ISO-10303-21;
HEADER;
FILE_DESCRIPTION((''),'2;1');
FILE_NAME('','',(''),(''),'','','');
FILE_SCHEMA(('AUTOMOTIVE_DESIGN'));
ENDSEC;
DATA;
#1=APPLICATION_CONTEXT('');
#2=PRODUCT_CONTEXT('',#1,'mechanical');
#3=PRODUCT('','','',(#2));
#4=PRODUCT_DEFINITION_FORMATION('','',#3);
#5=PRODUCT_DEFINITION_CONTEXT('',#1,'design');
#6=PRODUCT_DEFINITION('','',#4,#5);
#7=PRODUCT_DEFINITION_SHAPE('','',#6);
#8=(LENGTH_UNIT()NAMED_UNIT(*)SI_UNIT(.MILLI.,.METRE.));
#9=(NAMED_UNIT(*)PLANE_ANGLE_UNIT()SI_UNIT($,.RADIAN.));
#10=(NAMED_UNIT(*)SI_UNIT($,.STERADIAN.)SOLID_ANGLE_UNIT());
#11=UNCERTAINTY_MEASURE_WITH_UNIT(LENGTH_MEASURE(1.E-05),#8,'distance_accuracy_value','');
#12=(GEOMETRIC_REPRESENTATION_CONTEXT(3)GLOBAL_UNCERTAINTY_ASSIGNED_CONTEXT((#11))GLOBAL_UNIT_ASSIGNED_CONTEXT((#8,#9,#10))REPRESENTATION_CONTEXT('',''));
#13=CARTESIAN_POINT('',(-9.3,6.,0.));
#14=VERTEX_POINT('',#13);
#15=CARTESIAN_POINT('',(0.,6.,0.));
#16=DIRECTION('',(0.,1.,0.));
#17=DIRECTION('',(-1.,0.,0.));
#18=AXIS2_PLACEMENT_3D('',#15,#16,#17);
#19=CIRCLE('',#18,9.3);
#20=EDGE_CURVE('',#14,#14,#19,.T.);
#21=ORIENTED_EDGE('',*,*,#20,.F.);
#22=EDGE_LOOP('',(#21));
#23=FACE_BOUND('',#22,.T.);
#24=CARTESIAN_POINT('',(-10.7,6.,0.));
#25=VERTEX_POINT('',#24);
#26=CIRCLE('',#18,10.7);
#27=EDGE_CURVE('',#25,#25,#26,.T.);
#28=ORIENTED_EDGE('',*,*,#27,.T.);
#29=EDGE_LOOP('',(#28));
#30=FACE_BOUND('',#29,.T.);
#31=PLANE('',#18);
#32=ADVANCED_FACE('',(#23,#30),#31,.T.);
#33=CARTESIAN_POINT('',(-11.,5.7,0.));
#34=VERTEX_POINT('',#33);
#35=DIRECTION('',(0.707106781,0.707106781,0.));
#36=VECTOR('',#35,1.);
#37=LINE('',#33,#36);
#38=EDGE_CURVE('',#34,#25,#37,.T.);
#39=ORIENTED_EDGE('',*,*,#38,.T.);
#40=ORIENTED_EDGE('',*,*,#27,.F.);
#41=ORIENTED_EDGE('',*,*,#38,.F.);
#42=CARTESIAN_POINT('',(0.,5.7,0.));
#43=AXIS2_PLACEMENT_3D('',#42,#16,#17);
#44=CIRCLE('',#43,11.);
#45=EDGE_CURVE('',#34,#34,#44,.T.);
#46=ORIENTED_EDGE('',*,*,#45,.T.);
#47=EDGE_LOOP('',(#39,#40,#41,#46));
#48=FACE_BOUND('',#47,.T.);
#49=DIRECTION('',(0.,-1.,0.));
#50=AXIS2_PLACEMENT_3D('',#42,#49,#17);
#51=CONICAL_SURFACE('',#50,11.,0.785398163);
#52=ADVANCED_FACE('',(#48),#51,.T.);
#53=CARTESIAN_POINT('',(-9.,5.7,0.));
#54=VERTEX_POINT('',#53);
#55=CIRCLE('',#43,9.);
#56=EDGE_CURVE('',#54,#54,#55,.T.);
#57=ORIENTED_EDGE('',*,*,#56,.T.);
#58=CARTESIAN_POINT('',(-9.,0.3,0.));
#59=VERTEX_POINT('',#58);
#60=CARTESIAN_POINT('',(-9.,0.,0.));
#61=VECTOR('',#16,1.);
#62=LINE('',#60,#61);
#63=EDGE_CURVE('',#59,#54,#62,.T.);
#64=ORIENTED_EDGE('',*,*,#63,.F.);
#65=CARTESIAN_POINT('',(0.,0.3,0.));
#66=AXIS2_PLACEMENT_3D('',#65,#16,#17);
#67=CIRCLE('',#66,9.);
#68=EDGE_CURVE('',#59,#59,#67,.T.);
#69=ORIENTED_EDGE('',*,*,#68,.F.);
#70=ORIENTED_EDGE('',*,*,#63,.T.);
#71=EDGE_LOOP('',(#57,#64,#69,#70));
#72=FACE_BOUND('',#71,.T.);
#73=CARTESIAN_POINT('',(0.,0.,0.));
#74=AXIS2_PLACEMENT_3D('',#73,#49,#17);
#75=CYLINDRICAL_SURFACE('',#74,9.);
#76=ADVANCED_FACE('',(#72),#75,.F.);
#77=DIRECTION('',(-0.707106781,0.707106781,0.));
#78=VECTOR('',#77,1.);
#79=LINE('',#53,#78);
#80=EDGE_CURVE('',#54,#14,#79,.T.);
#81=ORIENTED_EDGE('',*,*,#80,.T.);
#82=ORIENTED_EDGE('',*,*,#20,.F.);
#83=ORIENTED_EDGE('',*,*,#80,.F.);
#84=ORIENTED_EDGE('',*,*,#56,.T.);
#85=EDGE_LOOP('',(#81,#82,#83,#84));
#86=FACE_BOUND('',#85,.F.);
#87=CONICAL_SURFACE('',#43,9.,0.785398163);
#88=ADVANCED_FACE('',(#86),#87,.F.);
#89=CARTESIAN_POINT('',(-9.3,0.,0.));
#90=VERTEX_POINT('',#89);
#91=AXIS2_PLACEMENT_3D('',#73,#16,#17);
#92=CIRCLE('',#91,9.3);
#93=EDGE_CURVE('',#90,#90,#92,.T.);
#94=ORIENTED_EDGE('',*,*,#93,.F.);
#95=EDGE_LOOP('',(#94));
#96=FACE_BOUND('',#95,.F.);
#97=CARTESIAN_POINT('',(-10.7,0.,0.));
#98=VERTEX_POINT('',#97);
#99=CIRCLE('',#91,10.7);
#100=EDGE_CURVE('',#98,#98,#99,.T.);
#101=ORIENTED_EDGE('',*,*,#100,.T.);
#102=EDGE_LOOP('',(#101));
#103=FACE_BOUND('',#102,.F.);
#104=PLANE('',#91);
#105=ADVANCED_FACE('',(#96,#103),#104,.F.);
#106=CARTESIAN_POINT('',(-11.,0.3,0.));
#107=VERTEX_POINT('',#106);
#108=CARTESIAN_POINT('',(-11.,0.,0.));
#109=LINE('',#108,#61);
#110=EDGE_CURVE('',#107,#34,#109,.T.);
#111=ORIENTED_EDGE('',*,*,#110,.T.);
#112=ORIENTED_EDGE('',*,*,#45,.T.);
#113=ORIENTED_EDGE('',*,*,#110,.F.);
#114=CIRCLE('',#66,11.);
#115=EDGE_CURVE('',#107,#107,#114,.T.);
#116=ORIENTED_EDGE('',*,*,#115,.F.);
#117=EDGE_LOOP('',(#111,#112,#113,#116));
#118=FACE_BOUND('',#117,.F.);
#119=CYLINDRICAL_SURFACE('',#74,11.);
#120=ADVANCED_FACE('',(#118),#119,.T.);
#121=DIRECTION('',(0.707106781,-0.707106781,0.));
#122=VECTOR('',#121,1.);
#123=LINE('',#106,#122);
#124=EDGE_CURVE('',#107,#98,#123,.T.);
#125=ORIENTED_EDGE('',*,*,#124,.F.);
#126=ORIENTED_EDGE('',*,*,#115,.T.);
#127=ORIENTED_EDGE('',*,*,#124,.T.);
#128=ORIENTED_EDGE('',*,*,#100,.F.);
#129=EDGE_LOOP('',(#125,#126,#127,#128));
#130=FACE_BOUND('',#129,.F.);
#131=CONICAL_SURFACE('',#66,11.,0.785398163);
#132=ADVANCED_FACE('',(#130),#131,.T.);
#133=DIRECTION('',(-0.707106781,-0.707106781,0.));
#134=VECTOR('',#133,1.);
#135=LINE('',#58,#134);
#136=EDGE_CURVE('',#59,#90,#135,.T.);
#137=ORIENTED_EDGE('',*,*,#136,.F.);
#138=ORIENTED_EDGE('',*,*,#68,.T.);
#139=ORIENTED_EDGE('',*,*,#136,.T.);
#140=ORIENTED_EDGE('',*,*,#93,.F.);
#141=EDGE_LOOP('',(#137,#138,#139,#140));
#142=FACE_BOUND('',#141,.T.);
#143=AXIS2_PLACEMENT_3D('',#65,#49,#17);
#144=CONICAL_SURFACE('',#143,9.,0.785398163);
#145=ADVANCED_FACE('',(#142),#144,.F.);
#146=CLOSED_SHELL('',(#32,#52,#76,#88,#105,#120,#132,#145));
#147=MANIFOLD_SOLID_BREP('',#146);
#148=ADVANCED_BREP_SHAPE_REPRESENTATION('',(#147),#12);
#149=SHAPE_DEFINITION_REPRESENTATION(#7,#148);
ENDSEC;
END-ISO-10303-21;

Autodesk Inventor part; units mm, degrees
ref_plane "YZ Plane" through (0, 0, 0) normal (1, 0, 0) x (0, 1, 0)
ref_plane "XZ Plane" through (0, 0, 0) normal (0, 1, 0) x (-1, 0, 0)
ref_plane "XY Plane" through (0, 0, 0) normal (0, 0, 1) x (1, 0, 0)
sketch "Sketch1" plane through (0, 0, 0) normal (0, 1, 0) x (-1, 0, 0)
  circle A0 centre (0, 0) radius 9
  circle A1 centre (0, 0) radius 11
  dimension "d0" = 18
  dimension "d1" = 22
extrude "Extrusion1" add sketch "Sketch1" along normal blind 6
chamfer "Chamfer1" distance 0.3 angle 45 4 edges at (11, 6, 0) (9, 6, 0) (9, 0, 0) (11, 0, 0)
properties part number "coupling_tie_belt" material "ABS Plastic"
